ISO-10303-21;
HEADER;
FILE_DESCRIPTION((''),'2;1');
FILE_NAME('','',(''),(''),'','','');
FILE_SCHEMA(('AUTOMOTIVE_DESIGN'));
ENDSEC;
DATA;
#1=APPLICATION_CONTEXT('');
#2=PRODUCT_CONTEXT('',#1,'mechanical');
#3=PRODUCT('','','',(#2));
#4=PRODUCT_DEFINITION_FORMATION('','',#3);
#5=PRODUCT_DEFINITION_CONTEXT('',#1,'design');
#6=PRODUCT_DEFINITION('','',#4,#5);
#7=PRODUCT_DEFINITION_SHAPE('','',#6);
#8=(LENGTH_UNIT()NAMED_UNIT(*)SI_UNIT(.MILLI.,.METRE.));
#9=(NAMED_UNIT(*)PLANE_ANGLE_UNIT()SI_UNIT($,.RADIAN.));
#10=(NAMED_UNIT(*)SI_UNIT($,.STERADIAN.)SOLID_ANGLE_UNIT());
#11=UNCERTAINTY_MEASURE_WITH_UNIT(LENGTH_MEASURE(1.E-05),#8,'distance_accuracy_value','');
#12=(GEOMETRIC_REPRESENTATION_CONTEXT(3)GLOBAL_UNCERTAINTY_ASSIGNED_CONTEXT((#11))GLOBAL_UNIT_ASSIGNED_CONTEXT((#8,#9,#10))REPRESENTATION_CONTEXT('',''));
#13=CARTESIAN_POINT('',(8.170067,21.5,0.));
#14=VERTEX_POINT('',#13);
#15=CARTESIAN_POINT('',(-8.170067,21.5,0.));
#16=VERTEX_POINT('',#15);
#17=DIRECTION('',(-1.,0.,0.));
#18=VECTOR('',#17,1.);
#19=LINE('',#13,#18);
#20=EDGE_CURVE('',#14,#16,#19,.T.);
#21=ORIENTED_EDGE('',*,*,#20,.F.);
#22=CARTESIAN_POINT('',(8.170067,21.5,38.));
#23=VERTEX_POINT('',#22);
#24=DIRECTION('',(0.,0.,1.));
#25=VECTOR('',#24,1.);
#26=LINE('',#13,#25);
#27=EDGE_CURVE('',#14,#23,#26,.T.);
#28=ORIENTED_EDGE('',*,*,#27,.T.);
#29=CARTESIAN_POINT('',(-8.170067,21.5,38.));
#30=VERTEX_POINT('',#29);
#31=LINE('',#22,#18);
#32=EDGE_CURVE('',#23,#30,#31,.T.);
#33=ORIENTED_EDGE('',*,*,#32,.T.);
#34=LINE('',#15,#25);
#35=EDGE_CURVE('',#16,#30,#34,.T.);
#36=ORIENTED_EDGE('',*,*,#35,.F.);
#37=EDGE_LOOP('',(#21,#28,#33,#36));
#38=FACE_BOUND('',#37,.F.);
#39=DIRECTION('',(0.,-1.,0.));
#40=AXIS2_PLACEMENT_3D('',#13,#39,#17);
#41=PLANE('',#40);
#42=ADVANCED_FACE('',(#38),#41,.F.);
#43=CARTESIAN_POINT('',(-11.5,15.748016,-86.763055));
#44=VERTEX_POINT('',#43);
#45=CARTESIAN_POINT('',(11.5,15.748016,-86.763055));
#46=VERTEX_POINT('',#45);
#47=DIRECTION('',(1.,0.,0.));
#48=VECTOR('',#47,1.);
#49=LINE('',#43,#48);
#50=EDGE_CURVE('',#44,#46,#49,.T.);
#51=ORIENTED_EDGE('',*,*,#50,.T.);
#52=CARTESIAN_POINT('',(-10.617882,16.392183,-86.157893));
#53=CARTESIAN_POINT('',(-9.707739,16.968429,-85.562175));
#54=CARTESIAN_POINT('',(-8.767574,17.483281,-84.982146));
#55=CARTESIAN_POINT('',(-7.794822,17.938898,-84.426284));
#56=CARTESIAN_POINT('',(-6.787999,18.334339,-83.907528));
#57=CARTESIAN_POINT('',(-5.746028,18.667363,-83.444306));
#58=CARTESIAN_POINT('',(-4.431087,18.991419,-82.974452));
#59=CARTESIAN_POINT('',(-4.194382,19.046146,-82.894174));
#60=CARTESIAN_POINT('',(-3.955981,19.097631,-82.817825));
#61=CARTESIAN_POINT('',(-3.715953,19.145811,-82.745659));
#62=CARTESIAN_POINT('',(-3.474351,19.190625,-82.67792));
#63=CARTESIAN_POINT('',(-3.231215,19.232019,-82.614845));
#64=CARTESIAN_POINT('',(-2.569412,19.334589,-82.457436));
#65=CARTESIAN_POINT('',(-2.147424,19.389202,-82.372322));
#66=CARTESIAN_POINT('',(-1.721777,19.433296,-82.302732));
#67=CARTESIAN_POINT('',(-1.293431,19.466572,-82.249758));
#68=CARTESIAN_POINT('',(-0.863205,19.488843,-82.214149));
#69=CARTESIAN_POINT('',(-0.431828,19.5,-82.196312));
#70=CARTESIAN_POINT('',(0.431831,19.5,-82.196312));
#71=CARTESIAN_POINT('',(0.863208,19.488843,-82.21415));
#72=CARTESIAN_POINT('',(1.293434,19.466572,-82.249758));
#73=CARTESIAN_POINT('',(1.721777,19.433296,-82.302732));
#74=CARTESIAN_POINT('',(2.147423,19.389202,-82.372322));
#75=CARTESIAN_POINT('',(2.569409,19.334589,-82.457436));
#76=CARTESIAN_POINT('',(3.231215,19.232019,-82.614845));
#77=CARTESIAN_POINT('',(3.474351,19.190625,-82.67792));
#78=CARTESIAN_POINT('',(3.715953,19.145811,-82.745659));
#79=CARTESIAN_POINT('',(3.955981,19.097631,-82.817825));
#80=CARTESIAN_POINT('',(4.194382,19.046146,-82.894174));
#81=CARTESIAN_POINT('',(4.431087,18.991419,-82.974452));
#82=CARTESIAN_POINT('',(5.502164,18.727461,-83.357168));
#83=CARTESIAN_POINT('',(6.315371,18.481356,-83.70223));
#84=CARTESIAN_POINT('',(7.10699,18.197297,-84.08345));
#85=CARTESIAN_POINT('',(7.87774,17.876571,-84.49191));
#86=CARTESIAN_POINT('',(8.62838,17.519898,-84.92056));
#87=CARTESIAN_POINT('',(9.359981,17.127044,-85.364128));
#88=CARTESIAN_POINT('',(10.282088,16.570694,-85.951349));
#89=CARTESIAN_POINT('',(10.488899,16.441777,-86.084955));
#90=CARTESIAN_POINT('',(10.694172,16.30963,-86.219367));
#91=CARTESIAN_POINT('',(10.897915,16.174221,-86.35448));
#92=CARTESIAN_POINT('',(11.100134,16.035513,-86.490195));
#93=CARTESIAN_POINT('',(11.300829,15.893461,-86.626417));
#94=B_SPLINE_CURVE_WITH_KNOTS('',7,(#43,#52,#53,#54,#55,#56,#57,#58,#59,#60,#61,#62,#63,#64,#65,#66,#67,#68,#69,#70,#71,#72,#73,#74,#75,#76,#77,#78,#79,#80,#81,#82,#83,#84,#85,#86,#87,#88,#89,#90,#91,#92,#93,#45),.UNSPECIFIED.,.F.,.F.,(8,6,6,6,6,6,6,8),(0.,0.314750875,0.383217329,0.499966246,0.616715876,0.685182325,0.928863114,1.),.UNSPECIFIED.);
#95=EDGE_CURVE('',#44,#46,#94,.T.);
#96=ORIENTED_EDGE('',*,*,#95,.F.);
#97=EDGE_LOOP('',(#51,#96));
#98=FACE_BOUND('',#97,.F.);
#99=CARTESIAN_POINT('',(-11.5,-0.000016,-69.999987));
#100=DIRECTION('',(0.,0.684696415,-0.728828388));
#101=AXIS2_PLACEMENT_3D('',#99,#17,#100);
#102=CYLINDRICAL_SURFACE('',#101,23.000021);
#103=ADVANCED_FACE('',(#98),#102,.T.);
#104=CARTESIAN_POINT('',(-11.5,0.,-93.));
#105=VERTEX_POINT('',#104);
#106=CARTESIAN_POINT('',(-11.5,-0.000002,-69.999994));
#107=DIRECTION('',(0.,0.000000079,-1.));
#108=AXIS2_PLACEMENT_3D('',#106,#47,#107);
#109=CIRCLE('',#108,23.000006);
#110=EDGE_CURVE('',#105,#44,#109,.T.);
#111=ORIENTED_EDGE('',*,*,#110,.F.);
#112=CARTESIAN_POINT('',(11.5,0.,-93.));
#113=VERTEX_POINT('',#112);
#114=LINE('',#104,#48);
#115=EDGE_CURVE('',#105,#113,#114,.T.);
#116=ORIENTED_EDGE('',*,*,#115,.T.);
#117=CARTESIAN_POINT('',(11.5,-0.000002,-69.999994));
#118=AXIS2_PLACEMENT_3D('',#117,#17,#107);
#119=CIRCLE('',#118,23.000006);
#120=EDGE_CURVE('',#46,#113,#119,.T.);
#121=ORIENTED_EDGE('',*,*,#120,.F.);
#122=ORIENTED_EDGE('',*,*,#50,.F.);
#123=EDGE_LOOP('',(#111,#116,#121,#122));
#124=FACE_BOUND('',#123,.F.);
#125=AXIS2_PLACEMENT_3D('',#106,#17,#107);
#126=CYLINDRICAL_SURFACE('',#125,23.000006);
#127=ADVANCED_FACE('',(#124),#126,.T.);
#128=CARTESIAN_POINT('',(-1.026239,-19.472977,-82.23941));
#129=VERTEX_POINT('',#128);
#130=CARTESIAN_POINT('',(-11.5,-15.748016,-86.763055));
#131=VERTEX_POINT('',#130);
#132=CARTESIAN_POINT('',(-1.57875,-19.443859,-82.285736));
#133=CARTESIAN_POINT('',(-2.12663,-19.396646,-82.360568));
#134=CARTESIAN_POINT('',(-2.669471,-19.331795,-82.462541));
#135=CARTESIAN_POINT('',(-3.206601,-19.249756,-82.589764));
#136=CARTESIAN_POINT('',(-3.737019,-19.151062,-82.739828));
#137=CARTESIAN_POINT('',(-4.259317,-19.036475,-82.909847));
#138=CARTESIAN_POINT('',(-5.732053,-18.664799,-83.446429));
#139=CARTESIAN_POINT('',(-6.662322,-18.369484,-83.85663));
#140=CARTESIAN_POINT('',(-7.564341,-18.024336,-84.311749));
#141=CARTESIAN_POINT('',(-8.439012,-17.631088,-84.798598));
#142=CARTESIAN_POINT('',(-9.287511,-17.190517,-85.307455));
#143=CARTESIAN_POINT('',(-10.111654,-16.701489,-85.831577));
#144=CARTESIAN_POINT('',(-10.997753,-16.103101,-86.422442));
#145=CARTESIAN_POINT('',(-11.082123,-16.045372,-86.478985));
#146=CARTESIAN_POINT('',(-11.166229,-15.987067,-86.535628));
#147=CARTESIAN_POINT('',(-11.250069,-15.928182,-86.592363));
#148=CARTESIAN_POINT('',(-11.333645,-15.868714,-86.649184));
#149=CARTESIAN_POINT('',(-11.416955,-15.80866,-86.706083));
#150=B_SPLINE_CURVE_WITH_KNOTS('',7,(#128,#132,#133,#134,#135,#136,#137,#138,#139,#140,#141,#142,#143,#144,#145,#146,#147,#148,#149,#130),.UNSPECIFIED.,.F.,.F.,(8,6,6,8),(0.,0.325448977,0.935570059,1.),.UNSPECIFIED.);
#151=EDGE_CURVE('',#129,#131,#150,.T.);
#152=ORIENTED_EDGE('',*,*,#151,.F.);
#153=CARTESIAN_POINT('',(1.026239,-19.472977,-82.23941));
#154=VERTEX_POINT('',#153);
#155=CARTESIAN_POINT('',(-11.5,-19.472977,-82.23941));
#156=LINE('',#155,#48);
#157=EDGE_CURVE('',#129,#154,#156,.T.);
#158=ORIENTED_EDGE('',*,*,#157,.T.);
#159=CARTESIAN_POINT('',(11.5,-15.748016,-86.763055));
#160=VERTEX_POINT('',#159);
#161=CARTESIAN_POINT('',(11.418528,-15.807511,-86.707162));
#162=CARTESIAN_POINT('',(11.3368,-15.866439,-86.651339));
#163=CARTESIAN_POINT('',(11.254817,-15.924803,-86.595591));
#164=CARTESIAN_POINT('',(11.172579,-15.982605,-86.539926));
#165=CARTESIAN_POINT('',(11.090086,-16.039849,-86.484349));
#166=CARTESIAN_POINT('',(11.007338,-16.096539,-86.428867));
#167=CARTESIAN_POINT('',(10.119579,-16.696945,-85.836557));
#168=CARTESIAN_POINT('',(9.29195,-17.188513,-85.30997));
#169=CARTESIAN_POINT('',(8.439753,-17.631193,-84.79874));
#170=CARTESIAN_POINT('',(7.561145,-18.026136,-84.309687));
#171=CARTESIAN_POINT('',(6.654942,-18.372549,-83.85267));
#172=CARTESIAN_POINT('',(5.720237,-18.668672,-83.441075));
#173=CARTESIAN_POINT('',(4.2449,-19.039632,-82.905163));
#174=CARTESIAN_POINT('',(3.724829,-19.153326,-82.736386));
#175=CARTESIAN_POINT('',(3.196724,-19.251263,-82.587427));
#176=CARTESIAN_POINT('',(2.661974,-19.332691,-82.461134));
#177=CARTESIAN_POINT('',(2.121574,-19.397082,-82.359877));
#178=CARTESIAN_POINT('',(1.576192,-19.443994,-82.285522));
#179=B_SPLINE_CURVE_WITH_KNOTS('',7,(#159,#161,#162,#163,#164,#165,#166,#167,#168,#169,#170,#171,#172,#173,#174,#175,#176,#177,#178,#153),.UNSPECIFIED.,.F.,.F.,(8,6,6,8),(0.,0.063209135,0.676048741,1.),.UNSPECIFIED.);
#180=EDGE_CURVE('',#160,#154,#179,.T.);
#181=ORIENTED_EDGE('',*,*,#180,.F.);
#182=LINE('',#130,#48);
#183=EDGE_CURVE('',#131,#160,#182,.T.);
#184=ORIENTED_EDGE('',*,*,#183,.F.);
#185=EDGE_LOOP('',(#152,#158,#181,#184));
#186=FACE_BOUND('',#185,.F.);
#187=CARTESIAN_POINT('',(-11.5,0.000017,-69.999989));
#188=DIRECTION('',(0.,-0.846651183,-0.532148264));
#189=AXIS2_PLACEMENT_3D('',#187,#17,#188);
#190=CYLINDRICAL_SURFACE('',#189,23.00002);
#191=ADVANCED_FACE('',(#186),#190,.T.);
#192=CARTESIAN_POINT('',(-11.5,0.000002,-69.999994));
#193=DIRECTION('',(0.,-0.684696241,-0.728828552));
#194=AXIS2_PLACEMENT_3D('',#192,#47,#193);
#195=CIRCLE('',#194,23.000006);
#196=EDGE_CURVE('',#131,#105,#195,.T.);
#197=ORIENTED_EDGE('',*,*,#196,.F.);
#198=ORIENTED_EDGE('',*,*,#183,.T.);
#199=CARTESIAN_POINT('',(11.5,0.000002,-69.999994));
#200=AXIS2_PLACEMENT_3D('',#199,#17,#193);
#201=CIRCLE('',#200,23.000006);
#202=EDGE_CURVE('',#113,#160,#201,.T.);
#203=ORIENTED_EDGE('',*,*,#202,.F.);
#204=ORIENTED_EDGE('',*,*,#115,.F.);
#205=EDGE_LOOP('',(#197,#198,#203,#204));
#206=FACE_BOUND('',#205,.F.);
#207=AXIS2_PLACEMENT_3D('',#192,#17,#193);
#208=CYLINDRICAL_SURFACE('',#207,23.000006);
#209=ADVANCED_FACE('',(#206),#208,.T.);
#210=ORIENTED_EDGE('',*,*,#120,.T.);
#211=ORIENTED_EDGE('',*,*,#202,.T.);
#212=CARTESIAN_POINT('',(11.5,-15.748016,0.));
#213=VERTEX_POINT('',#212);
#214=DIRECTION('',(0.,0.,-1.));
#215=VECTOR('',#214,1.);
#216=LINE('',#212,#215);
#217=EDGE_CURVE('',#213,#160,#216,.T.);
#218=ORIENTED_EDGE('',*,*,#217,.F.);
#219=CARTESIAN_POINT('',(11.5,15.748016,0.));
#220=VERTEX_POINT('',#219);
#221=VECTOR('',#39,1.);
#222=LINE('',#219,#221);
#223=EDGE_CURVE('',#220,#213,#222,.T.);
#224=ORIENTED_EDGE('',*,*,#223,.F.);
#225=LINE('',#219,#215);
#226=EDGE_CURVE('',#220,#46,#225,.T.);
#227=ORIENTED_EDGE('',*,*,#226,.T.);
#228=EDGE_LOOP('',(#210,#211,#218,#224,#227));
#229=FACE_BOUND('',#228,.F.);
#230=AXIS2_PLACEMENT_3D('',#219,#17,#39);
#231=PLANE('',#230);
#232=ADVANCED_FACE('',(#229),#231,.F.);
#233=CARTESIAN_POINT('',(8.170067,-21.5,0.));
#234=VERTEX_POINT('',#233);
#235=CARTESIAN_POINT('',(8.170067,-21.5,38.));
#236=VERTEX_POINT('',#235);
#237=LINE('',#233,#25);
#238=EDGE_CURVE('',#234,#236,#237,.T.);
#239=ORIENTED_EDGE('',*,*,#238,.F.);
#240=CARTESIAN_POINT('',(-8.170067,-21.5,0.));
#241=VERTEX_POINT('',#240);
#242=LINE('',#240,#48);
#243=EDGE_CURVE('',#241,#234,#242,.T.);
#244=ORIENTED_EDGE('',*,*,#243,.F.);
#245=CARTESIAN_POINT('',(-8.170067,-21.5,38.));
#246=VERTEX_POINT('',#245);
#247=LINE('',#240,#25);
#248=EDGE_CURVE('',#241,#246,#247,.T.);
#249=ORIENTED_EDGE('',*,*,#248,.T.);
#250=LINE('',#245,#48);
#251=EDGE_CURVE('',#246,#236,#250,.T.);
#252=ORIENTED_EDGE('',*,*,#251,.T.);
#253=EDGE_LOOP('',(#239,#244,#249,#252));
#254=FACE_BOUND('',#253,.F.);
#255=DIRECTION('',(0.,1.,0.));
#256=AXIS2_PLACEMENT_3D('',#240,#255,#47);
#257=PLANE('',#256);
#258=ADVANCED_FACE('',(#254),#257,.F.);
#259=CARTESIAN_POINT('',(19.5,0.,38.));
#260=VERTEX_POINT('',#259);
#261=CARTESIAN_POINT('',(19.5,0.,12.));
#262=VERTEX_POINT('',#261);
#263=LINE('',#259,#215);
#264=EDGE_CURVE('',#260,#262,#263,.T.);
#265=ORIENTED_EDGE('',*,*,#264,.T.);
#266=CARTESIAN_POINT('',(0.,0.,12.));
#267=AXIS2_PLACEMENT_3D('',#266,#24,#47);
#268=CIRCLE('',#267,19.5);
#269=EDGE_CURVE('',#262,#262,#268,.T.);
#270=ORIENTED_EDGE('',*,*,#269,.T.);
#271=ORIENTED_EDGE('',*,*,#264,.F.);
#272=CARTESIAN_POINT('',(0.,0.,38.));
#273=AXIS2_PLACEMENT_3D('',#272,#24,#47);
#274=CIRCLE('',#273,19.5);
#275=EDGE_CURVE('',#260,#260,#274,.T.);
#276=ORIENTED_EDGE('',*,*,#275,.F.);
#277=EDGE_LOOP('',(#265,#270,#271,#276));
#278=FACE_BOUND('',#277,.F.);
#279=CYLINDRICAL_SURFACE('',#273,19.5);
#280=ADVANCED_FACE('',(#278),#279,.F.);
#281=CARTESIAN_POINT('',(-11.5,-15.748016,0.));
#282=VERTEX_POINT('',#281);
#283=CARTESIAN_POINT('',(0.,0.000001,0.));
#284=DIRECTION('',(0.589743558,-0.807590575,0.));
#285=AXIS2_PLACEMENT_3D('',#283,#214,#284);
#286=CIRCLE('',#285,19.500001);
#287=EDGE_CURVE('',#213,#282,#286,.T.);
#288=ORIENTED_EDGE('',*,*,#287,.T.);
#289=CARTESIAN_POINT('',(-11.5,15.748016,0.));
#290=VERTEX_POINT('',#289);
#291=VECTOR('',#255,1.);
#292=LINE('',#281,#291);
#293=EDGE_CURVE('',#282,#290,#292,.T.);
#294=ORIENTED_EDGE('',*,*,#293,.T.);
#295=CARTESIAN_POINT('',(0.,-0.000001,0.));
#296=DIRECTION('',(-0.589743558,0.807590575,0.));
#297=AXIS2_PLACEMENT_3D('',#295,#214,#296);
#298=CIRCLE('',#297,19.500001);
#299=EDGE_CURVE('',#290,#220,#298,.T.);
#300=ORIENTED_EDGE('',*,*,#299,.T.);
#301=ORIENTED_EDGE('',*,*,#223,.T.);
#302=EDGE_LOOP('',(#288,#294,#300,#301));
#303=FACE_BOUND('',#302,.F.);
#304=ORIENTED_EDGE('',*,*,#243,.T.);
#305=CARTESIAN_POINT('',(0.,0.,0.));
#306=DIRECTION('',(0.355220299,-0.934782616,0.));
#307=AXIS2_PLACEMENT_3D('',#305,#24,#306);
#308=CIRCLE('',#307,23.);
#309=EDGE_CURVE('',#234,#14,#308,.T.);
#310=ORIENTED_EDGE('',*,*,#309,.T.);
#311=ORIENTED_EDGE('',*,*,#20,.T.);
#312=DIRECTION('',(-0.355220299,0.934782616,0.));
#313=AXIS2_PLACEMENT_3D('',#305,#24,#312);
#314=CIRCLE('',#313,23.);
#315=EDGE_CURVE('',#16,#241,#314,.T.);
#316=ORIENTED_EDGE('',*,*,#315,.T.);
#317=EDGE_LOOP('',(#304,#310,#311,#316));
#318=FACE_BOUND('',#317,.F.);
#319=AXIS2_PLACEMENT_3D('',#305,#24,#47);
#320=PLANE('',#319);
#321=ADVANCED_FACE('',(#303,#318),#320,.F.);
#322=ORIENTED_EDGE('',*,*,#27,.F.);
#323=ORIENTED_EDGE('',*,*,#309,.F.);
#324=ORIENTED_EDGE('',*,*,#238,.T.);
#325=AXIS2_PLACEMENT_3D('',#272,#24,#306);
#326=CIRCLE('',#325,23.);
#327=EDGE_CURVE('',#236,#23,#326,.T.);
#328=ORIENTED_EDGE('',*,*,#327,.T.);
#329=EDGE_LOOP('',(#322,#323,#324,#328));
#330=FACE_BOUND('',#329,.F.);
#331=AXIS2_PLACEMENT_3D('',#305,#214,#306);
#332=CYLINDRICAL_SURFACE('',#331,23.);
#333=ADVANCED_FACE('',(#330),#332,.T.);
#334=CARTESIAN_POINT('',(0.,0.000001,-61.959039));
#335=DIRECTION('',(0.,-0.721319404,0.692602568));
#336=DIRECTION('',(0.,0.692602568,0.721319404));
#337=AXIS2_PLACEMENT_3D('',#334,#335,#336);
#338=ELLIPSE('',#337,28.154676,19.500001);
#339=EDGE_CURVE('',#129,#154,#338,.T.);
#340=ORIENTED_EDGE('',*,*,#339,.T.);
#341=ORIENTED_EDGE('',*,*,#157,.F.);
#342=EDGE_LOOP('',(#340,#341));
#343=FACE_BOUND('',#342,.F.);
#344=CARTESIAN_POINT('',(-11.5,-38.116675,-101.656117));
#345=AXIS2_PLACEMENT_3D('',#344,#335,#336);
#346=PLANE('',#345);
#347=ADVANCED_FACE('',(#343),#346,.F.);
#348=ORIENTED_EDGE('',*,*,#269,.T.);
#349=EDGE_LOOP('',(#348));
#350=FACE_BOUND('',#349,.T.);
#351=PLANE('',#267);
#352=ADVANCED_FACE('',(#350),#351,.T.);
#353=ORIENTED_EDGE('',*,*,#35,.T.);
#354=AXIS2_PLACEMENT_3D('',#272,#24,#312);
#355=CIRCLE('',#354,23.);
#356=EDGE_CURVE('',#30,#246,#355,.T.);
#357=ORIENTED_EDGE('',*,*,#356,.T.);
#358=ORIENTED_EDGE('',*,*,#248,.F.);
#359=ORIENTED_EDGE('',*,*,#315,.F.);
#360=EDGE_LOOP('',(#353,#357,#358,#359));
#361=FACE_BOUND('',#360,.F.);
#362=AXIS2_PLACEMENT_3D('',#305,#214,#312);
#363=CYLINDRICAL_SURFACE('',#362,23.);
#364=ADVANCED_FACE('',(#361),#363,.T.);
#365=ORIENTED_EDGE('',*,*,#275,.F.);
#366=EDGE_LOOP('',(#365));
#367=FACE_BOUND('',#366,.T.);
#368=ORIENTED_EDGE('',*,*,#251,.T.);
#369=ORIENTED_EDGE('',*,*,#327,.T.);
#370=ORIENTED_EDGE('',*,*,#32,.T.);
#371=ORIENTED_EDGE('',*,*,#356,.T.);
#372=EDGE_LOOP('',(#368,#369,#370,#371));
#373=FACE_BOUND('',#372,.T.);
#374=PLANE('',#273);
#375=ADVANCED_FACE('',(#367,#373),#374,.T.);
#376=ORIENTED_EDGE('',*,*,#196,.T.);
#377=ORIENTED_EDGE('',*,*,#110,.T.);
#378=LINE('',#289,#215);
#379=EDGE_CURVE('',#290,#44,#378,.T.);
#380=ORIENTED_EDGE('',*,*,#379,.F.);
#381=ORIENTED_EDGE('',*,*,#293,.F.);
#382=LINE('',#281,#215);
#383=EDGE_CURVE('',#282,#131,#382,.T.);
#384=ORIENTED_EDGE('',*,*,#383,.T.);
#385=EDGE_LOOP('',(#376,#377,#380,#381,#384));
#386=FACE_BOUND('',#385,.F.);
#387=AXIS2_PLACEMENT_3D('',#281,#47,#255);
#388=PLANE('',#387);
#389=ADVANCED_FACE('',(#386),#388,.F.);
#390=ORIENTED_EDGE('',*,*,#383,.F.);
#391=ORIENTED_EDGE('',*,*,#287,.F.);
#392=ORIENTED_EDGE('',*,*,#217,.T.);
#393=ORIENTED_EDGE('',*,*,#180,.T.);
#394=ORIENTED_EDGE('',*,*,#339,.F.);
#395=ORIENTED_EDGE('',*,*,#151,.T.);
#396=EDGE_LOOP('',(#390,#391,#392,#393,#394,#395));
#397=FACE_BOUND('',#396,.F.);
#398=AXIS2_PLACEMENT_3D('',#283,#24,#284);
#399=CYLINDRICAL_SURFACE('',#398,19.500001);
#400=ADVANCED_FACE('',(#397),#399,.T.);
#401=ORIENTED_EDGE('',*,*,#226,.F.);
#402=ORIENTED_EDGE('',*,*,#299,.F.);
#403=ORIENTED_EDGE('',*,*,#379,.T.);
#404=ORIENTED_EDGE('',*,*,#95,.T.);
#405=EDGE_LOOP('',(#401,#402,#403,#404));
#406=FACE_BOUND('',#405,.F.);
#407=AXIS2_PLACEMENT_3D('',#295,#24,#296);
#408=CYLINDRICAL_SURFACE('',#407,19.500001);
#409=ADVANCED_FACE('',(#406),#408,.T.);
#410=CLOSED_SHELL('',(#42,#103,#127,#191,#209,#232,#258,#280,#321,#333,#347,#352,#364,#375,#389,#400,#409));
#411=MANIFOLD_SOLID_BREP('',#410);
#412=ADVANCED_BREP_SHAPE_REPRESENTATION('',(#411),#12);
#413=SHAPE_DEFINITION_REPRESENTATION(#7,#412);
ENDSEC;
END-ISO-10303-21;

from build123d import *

# Parameters (mm, degrees)
F1_DEPTH = 38
F2_R     = 19.5
F3_DEPTH = 26
F5_DEPTH = 93
F7_DEPTH = 34.501


with BuildPart() as f1:
    # F0 (on Top) → F1 (new body)
    with BuildSketch(Plane.XY):
        with BuildLine():
            Line((8.170067, 21.5), (-8.170067, 21.5))
            ThreePointArc((-8.170067, 21.5), (-23, 0), (-8.170067, -21.5))
            Line((-8.170067, -21.5), (8.170067, -21.5))
            ThreePointArc((8.170067, -21.5), (23, 0), (8.170067, 21.5))
        make_face()
    extrude(amount=F1_DEPTH)

    # F2 (on face) → F3 (cut)
    with BuildSketch(Plane.XY.offset(38)):
        Circle(F2_R)
    extrude(amount=-F3_DEPTH, mode=Mode.SUBTRACT)

    # F4 (on face) → F5 (join)
    with BuildSketch(Plane(origin=(0, 0, 0), x_dir=(1, 0, 0), z_dir=(0, 0, -1))):
        with BuildLine():
            Line((-11.5, 15.748016), (-11.5, -15.748016))
            ThreePointArc((-11.5, -15.748016), (0, -19.5), (11.5, -15.748016))
            Line((11.5, -15.748016), (11.5, 15.748016))
            ThreePointArc((11.5, 15.748016), (0, 19.5), (-11.5, 15.748016))
        make_face()
    extrude(amount=F5_DEPTH)

    # F6 (on face) → F7 (cut, through all)
    with BuildSketch(Plane(origin=(-11.5, 0, 0), x_dir=(0, -1, 0), z_dir=(-1, 0, 0))):
        with BuildLine():
            Line((38.116675, -101.656117), (19.472977, -82.23941))
            ThreePointArc((19.472977, -82.23941), (17.755152, -84.620348), (15.748016, -86.763055))
            Line((15.748016, -86.763055), (15.748016, -93))
            Line((15.748016, -93), (0, -93))
            Line((0, -93), (-15.748016, -93))
            Line((-15.748016, -93), (-15.748016, -86.763055))
            ThreePointArc((-15.748016, -86.763055), (-17.850565, -84.503701), (-19.63169, -81.983187))
            Line((-19.63169, -81.983187), (-36.674619, -101.656117))
            Line((-36.674619, -101.656117), (38.116675, -101.656117))
        make_face()
        with BuildLine():
            Line((15.748016, -93), (15.748016, -86.763055))
            ThreePointArc((15.748016, -86.763055), (8.469054, -91.383992), (0, -93))
            Line((0, -93), (15.748016, -93))
        make_face()
        with BuildLine():
            Line((-15.748016, -93), (0, -93))
            ThreePointArc((0, -93), (-8.469054, -91.383992), (-15.748016, -86.763055))
            Line((-15.748016, -86.763055), (-15.748016, -93))
        make_face()
    extrude(amount=-F7_DEPTH, mode=Mode.SUBTRACT)


solid = f1.part
